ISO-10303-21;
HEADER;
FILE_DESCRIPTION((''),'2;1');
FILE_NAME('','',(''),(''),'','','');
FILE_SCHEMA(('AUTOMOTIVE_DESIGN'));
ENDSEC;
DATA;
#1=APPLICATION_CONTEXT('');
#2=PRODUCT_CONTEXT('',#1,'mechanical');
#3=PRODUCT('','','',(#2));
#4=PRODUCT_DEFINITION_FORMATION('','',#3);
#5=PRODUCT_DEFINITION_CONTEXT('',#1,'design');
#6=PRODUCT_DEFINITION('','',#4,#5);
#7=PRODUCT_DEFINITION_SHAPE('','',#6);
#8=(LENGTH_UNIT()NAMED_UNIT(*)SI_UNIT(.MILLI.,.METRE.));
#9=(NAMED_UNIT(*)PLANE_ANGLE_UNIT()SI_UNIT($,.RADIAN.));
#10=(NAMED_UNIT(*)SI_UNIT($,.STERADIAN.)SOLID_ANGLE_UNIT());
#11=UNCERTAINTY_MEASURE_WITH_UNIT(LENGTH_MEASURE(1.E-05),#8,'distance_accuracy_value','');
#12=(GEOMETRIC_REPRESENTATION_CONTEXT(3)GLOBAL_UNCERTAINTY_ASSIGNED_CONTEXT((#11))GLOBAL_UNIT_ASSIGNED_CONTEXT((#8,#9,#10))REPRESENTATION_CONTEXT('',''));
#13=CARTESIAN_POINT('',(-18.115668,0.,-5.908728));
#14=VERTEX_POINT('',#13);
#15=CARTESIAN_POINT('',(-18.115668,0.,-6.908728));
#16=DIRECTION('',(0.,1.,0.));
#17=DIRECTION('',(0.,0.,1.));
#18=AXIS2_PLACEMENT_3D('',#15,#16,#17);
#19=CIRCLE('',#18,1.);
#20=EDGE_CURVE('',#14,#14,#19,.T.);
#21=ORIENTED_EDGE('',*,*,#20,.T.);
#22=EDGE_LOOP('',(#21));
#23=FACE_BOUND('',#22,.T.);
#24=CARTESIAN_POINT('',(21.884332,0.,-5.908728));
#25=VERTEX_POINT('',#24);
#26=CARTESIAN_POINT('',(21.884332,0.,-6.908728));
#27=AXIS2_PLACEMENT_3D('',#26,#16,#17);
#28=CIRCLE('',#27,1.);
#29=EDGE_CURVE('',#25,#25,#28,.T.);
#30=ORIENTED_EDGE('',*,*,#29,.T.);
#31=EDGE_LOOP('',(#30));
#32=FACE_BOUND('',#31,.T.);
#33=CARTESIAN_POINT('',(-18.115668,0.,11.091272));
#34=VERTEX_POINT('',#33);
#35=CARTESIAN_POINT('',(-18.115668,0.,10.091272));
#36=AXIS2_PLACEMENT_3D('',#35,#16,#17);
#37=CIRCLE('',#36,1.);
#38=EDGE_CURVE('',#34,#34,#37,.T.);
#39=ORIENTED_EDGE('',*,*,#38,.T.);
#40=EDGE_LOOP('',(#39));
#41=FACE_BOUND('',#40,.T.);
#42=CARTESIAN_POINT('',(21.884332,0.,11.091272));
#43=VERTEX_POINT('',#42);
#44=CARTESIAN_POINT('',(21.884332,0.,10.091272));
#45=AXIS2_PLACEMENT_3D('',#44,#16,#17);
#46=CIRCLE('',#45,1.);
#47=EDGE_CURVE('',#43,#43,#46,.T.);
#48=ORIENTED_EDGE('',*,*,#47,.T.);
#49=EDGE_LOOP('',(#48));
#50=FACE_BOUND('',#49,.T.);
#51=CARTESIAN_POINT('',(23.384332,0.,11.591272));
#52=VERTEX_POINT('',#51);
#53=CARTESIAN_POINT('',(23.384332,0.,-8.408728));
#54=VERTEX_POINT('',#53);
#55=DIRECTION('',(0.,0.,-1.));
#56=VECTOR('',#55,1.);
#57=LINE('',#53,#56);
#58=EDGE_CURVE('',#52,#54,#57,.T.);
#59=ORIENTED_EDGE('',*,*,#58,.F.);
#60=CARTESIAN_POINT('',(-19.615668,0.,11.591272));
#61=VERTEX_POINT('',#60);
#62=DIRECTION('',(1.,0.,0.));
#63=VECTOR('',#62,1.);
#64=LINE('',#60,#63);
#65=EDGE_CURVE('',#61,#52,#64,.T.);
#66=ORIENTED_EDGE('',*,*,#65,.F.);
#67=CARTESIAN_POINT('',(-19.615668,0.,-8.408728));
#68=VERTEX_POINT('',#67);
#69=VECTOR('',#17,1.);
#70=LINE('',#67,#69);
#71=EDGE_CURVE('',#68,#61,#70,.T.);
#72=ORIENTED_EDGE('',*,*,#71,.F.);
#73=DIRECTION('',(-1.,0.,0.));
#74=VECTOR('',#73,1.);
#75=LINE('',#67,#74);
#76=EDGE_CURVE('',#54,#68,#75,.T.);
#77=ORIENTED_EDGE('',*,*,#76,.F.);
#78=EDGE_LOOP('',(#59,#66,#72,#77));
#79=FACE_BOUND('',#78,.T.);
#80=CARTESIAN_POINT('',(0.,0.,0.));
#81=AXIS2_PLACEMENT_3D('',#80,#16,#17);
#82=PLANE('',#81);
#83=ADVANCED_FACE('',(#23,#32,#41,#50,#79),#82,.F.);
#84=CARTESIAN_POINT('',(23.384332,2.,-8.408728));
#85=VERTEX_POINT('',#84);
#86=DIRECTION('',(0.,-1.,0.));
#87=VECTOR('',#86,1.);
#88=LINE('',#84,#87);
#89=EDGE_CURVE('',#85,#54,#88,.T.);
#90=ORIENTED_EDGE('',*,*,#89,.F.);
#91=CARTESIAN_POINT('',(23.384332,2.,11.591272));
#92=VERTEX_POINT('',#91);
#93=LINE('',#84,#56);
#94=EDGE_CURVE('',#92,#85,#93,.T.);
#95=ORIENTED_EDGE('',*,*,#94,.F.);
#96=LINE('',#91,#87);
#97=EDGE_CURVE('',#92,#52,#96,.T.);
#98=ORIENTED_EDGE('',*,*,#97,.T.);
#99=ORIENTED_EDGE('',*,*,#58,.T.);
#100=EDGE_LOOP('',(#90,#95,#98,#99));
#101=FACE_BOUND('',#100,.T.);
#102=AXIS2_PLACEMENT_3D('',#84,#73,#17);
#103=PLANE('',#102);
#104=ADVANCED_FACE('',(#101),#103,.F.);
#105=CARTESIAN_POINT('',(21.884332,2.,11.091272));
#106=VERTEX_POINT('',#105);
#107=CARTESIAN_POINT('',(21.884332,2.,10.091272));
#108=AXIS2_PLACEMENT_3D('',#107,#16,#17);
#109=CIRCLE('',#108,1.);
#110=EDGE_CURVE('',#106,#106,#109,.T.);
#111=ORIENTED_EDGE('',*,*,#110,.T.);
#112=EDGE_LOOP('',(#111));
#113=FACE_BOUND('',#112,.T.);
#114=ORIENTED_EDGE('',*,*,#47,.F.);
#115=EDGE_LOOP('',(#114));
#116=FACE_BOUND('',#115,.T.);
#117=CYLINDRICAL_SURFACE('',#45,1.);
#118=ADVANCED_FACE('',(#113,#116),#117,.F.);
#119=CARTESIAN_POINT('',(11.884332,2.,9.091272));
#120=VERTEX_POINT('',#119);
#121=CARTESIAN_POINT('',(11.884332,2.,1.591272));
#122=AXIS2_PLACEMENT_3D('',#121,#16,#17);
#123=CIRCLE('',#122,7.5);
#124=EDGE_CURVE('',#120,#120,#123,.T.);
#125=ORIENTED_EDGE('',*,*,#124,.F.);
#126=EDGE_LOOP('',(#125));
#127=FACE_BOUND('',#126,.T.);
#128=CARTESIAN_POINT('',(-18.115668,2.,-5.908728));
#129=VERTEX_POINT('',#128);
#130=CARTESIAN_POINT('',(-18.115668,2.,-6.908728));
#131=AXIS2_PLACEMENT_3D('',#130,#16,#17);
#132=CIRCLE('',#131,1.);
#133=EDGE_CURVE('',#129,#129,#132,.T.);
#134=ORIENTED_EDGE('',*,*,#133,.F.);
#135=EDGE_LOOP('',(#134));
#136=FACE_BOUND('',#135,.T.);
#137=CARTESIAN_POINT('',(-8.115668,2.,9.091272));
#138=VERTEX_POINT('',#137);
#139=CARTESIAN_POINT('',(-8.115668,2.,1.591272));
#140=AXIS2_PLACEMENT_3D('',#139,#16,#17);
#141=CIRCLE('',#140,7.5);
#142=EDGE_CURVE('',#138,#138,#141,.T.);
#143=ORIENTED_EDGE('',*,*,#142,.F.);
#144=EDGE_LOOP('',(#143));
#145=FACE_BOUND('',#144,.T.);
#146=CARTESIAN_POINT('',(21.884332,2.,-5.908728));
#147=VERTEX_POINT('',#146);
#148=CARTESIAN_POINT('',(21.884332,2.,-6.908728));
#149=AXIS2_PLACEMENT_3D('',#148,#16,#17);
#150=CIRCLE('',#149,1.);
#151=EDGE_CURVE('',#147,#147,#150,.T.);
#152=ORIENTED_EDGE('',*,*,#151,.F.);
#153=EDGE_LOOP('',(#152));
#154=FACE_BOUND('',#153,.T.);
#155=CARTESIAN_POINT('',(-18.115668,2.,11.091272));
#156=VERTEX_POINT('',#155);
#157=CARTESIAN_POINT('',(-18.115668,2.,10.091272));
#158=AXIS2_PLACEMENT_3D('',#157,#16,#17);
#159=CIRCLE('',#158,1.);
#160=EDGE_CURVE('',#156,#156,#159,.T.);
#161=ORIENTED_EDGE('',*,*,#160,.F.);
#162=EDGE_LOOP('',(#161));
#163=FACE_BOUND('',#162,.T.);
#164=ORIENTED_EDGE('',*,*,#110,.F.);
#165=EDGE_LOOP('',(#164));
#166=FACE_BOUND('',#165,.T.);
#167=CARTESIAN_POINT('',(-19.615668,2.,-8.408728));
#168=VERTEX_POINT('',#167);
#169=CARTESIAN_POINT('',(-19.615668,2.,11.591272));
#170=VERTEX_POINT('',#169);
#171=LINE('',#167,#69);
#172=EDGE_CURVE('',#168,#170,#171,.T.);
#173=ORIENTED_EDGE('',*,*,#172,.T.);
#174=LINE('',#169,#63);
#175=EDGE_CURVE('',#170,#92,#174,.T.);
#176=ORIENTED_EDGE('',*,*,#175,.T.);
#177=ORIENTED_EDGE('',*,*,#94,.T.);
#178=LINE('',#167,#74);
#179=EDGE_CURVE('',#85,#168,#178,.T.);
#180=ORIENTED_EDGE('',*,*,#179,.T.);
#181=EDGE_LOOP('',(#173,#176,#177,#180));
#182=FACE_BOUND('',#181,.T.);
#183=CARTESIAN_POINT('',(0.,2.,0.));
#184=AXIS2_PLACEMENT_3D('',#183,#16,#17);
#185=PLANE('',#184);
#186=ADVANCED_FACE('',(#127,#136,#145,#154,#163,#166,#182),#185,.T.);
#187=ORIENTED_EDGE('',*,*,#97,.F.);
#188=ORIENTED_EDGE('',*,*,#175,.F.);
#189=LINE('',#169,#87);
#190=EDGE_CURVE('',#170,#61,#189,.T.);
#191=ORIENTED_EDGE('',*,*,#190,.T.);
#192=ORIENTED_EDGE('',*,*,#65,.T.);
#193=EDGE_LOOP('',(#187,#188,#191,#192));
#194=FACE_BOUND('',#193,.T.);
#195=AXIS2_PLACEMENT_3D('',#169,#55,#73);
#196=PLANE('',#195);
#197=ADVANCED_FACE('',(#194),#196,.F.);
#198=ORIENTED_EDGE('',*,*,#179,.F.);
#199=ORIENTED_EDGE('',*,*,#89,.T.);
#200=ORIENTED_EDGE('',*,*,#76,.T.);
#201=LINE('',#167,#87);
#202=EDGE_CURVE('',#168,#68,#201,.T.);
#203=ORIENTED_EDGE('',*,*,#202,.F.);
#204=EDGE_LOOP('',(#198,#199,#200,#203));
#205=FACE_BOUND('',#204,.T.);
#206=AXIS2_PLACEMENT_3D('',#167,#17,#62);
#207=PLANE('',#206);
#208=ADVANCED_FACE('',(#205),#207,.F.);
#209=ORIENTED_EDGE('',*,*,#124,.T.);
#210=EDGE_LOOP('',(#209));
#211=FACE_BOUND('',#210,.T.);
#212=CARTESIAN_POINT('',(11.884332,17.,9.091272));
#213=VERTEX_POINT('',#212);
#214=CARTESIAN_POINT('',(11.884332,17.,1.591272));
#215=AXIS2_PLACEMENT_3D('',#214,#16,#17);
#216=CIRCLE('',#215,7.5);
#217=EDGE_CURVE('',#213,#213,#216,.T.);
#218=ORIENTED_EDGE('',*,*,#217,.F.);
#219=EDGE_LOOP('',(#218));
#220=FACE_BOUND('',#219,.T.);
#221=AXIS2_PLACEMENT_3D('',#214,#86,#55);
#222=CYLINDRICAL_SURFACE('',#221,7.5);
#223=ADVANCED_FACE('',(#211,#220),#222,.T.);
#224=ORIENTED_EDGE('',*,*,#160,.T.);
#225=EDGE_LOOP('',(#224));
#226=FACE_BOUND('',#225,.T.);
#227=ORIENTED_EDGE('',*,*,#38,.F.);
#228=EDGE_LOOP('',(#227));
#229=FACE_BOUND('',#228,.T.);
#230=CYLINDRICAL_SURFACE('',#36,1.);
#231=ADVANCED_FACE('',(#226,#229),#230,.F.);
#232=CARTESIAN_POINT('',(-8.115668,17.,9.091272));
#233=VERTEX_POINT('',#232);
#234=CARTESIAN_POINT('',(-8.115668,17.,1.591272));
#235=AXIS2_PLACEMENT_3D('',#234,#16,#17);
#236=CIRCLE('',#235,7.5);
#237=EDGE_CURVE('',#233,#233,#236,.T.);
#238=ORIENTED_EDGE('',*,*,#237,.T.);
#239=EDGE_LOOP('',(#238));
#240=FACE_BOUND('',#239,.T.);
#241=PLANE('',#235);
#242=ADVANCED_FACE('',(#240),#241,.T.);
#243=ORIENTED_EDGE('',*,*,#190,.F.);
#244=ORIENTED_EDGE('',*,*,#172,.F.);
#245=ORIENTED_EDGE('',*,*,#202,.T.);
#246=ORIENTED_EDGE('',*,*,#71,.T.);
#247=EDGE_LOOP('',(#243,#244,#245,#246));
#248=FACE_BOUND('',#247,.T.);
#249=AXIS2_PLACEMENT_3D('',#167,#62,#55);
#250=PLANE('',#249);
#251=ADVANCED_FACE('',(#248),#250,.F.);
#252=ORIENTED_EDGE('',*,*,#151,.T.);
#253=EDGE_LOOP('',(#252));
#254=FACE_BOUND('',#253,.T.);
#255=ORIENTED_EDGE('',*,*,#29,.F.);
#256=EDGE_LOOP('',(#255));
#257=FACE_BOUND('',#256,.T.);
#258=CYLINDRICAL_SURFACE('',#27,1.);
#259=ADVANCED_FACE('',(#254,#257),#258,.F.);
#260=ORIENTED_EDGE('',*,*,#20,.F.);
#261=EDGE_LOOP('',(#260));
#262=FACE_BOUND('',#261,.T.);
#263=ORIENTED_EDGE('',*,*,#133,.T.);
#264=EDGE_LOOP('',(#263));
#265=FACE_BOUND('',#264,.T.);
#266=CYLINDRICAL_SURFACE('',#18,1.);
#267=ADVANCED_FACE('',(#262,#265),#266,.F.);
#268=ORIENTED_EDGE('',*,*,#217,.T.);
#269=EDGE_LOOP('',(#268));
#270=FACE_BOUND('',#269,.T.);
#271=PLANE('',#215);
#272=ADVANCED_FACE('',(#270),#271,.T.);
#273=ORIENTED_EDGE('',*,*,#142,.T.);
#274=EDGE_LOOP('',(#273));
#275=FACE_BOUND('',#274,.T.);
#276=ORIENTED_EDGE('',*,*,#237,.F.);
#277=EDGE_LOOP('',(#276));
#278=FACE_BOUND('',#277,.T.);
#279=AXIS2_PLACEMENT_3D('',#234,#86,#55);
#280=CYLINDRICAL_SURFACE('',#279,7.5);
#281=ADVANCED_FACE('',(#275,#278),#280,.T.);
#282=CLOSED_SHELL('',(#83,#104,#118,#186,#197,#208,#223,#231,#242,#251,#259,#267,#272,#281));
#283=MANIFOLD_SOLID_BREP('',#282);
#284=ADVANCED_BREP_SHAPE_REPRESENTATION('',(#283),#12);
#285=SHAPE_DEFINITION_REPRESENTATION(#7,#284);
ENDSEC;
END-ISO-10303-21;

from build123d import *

# Parameters (mm, degrees)
SKETCH1_W           = 43
SKETCH1_H           = 20
BOSS_EXTRUDE1_DEPTH = 2
SKETCH2_R           = 1
CUT_EXTRUDE1_DEPTH  = 2
SKETCH3_R           = 7.5
BOSS_EXTRUDE2_DEPTH = 15


with BuildPart() as part:
    # Sketch1 → Boss-Extrude1 (new body)
    with BuildSketch(Plane(origin=(0, 0, 0), x_dir=(1, 0, 0), z_dir=(0, 1, 0))):
        with Locations((1.884331799, -1.591272186)):
            Rectangle(SKETCH1_W, SKETCH1_H)
    extrude(amount=BOSS_EXTRUDE1_DEPTH)

    # Sketch2 → Cut-Extrude1 (cut)
    with BuildSketch(Plane(origin=(0, 2, 0), x_dir=(1, 0, 0), z_dir=(0, 1, 0))):
        with Locations(Location((-18.115668201, -10.091272186, 0), (0, 0, 270))):
            Circle(SKETCH2_R)
        with Locations(Location((21.884331799, -10.091272186, 0), (0, 0, 270))):
            Circle(SKETCH2_R)
        with Locations(Location((-18.115668201, 6.908727814, 0), (0, 0, 270))):
            Circle(SKETCH2_R)
        with Locations(Location((21.884331799, 6.908727814, 0), (0, 0, 270))):
            Circle(SKETCH2_R)
    extrude(amount=-CUT_EXTRUDE1_DEPTH, mode=Mode.SUBTRACT)

    # Sketch3 → Boss-Extrude2 (add)
    with BuildSketch(Plane(origin=(0, 2, 0), x_dir=(1, 0, 0), z_dir=(0, 1, 0))):
        with Locations(Location((11.884331799, -1.591272186, 0), (0, 0, 270))):
            Circle(SKETCH3_R)
        with Locations(Location((-8.115668201, -1.591272186, 0), (0, 0, 270))):
            Circle(SKETCH3_R)
    extrude(amount=BOSS_EXTRUDE2_DEPTH)


solid = part.part
